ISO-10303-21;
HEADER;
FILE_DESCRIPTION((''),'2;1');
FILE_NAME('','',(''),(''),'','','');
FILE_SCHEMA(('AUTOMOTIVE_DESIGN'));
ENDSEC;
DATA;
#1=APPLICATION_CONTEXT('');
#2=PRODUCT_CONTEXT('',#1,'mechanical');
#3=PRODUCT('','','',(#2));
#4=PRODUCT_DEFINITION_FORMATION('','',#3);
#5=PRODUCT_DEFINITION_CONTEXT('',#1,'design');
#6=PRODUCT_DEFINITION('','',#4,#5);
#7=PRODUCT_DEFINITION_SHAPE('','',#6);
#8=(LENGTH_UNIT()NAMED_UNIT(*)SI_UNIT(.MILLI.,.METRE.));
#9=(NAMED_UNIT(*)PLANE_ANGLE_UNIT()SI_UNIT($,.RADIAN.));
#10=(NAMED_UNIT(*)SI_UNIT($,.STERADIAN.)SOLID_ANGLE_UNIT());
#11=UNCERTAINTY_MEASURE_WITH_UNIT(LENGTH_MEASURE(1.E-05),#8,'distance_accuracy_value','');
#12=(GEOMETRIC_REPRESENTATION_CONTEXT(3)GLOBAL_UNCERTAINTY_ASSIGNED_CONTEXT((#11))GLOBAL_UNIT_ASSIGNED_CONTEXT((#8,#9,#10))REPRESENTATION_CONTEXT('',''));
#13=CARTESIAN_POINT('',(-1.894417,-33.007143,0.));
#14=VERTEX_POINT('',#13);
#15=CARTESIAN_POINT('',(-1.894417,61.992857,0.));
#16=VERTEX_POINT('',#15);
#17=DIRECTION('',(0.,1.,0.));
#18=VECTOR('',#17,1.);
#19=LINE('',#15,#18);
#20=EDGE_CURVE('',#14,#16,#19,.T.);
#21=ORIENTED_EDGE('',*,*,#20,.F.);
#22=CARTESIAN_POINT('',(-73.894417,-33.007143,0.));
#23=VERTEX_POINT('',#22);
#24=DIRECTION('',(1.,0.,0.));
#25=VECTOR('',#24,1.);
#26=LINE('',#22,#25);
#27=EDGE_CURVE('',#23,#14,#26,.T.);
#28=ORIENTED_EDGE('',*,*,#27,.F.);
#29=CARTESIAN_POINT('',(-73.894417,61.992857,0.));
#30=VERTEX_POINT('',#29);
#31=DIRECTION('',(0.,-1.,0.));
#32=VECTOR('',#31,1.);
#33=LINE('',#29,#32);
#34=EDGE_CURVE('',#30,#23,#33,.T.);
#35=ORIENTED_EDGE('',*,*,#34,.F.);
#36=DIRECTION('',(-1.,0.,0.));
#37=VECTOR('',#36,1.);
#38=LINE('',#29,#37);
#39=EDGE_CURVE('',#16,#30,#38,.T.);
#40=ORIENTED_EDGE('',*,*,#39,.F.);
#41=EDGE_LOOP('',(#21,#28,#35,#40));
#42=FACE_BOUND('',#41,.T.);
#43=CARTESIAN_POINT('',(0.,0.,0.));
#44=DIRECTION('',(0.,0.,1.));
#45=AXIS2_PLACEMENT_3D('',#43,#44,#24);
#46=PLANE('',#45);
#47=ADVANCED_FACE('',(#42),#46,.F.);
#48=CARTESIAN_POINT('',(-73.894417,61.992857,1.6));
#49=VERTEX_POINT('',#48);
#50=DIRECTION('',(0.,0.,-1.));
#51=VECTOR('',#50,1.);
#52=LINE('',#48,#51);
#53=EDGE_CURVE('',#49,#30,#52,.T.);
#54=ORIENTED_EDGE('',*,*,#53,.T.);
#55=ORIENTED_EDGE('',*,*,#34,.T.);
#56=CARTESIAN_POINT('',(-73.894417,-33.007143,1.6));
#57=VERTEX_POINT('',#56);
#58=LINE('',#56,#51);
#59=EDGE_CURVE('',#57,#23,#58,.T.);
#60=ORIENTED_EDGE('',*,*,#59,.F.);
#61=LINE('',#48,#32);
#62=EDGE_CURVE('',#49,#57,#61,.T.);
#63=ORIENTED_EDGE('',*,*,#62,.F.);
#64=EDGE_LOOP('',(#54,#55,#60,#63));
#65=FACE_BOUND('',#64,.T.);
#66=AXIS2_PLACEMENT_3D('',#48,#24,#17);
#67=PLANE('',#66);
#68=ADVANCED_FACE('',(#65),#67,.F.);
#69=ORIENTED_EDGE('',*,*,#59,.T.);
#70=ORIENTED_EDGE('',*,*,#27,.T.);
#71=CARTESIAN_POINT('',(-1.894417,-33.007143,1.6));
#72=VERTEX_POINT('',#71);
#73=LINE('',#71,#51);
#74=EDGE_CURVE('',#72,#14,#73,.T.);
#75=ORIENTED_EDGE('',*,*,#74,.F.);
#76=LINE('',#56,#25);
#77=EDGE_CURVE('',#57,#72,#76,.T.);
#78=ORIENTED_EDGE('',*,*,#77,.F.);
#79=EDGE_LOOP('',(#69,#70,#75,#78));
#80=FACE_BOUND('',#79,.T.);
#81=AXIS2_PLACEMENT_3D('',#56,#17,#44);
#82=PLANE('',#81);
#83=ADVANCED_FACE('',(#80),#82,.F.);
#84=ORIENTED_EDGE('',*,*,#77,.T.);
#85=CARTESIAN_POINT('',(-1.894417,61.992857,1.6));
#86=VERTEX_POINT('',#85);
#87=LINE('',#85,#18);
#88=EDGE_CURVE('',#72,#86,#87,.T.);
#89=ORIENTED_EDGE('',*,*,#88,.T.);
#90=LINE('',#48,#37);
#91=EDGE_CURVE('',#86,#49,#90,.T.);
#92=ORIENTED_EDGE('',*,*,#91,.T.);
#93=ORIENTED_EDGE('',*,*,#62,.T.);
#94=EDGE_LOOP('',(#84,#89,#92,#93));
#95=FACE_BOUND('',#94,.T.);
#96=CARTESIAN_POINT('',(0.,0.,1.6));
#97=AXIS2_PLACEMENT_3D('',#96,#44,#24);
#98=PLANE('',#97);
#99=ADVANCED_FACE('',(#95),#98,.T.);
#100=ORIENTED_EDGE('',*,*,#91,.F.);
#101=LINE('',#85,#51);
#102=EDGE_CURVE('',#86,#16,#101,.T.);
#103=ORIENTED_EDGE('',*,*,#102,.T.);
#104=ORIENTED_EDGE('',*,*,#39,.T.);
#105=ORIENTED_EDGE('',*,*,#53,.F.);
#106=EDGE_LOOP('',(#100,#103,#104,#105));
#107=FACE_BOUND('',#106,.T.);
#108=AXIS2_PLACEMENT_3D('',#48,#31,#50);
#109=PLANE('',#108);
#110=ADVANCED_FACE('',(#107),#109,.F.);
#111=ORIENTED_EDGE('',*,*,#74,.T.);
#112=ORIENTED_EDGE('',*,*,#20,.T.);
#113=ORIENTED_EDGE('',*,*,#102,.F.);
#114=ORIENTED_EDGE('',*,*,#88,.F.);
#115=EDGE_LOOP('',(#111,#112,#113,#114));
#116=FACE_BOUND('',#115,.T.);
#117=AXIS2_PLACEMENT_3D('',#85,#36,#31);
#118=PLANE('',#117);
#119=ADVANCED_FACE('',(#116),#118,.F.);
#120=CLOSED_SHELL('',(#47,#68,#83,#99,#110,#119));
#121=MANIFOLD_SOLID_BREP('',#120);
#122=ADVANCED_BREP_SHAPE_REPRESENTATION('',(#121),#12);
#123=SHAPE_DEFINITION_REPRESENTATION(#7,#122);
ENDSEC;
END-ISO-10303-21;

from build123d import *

# Parameters (mm, degrees)
SKETCH_1_W      = 72
SKETCH_1_H      = 95
EXTRUDE_1_DEPTH = 1.6


with BuildPart() as part:
    # ｽｹｯﾁ1 → ﾎﾞｽ - 押し出し1 (new body)
    with BuildSketch(Plane.XY):
        with Locations((-37.894417438, 14.492857143)):
            Rectangle(SKETCH_1_W, SKETCH_1_H)
    extrude(amount=EXTRUDE_1_DEPTH)


solid = part.part
